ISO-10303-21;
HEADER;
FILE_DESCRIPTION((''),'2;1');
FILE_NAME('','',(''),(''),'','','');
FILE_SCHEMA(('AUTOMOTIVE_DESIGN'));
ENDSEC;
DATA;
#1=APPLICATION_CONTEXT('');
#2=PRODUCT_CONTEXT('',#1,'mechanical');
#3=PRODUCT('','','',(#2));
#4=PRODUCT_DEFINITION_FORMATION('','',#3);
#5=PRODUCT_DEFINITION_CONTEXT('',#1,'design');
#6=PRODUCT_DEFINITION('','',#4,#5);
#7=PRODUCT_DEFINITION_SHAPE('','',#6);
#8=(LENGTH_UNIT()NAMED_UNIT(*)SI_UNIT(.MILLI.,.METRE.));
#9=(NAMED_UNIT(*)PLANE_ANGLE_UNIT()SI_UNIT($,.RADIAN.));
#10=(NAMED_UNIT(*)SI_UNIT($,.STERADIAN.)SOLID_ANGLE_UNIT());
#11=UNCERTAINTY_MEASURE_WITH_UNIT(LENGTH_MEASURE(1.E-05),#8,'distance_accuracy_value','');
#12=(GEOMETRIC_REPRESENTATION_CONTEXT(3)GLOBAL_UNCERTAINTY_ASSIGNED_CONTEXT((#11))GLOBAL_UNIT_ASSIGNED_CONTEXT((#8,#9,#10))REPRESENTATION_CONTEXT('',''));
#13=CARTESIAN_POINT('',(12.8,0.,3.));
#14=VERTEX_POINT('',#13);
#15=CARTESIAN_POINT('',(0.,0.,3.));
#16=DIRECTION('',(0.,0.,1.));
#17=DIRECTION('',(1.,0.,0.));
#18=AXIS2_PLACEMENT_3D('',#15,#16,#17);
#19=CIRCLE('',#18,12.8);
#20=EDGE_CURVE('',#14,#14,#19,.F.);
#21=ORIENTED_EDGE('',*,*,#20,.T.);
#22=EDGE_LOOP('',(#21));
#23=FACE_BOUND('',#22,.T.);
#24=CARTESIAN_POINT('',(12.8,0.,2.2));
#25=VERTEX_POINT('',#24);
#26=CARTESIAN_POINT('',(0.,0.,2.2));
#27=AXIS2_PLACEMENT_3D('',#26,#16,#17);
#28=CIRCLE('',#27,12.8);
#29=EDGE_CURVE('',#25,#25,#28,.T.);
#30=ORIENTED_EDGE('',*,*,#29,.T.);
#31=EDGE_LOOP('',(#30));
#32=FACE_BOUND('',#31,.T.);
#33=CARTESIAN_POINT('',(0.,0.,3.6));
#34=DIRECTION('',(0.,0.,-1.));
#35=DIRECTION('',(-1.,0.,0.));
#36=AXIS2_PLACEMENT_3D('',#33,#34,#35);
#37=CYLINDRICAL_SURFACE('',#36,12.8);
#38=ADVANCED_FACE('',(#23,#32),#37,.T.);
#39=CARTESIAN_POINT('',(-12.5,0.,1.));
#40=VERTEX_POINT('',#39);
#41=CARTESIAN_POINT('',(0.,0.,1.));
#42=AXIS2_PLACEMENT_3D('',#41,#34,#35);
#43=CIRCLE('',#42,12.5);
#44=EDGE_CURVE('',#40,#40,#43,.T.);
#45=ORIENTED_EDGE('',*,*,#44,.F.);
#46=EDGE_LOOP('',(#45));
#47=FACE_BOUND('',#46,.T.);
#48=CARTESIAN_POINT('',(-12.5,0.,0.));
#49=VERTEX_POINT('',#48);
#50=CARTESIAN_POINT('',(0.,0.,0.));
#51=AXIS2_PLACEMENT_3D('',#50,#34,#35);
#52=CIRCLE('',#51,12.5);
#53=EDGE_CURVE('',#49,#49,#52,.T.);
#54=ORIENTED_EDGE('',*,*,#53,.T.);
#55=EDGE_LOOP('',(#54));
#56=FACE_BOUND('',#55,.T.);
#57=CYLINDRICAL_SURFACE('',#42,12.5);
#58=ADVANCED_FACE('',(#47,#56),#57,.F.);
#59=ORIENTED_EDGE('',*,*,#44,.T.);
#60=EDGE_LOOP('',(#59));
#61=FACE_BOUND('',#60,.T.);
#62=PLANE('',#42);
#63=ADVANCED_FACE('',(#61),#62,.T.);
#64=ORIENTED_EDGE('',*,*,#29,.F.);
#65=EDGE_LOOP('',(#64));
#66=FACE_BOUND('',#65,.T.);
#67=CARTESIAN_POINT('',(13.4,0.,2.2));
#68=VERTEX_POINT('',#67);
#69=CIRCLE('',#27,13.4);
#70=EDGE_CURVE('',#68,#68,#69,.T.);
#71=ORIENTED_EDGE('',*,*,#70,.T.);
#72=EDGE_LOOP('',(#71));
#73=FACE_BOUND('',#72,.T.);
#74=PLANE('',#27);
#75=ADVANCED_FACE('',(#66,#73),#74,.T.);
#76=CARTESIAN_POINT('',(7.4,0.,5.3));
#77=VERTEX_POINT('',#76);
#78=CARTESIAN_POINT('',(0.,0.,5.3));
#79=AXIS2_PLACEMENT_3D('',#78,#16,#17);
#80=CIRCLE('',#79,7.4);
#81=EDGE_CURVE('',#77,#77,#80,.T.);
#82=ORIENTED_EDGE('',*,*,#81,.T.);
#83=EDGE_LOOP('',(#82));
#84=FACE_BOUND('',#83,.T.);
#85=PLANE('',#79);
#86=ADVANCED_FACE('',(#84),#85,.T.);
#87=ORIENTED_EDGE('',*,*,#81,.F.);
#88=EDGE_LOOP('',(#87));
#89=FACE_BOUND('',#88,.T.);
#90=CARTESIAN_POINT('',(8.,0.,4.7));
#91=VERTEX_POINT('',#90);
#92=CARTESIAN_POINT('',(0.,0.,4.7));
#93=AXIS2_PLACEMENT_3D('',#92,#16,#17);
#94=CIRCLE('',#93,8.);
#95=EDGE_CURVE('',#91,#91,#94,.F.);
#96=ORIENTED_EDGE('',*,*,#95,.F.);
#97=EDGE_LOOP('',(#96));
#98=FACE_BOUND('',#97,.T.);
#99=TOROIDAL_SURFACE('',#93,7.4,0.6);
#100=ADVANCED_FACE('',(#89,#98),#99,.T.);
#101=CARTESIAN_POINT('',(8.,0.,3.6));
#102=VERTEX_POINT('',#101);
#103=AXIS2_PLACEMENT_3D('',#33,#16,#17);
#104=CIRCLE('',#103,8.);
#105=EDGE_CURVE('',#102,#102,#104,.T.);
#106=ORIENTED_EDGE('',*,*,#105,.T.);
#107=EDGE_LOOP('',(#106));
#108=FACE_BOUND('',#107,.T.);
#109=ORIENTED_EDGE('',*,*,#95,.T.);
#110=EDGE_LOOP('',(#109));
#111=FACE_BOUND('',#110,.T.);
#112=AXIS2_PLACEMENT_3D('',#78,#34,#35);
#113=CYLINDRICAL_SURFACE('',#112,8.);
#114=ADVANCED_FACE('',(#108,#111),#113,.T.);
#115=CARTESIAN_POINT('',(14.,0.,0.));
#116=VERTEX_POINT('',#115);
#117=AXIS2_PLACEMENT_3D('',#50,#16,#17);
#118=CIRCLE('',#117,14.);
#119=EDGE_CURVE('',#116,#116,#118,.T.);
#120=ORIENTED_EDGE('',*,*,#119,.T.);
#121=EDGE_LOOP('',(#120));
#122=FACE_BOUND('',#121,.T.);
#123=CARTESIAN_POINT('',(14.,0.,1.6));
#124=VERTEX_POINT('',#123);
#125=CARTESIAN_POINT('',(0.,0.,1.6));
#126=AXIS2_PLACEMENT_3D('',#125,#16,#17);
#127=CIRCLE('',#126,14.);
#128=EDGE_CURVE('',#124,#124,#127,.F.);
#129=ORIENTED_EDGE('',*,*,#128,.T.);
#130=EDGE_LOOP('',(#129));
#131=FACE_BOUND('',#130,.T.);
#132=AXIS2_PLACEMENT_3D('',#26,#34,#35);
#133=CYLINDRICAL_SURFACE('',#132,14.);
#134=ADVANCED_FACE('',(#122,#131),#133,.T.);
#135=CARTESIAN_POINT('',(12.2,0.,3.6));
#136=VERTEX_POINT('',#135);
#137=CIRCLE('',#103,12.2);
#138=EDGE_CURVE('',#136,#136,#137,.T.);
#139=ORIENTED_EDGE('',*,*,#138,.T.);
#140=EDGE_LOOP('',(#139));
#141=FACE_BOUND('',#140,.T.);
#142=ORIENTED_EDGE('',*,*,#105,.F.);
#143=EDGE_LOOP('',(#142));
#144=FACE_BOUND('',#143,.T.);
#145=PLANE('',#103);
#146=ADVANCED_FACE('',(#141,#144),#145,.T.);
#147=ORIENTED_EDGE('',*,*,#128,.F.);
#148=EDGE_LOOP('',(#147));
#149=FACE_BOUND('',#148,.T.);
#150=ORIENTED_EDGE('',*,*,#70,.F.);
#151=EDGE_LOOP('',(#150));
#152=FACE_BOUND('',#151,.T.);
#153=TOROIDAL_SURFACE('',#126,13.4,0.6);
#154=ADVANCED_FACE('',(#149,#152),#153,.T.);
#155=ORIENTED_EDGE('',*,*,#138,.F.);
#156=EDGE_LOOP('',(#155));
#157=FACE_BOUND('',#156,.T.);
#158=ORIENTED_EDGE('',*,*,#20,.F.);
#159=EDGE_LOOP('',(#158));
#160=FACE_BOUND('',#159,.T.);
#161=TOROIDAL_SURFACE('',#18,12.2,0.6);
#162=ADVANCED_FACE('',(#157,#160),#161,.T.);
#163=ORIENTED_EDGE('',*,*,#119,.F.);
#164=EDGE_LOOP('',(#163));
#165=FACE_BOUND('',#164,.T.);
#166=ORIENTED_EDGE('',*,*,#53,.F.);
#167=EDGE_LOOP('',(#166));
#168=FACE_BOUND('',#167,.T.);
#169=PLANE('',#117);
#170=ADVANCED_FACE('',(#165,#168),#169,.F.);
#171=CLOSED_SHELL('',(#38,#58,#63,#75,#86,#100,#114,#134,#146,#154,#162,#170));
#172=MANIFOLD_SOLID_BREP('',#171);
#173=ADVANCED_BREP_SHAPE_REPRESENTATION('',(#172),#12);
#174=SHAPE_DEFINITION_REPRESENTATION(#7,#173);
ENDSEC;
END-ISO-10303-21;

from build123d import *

# Parameters (mm, degrees)
ESQUISSE1_R             = 14
BOSS_EXTRU_1_DEPTH      = 2.2
ESQUISSE2_R             = 12.8
BOSS_EXTRU_2_DEPTH      = 1.4
ESQUISSE3_R             = 8
BOSS_EXTRU_3_DEPTH      = 1.7
ESQUISSE4_R             = 12.5
ENL_V_MAT_EXTRU_1_DEPTH = 1
CONG_1_R                = 0.6


with BuildPart() as part:
    # Esquisse1 → Boss.-Extru.1 (new body)
    with BuildSketch(Plane.XY):
        Circle(ESQUISSE1_R)
    extrude(amount=BOSS_EXTRU_1_DEPTH)

    # Esquisse2 → Boss.-Extru.2 (add)
    with BuildSketch(Plane.XY.offset(2.2)):
        Circle(ESQUISSE2_R)
    extrude(amount=BOSS_EXTRU_2_DEPTH)

    # Esquisse3 → Boss.-Extru.3 (add)
    with BuildSketch(Plane.XY.offset(3.6)):
        Circle(ESQUISSE3_R)
    extrude(amount=BOSS_EXTRU_3_DEPTH)

    # Esquisse4 → Enlèv. mat.-Extru.1 (cut)
    with BuildSketch(Plane(origin=(0, 0, 0), x_dir=(-1, 0, 0), z_dir=(0, 0, -1))):
        Circle(ESQUISSE4_R)
    extrude(amount=-ENL_V_MAT_EXTRU_1_DEPTH, mode=Mode.SUBTRACT)

    # Congé1
    cong_1_edges = [part.edges().sort_by_distance(p)[0] for p in [
        (-8, 0, 5.3),
        (-14, 0, 2.2),
        (-12.8, 0, 3.6),
    ]]
    fillet(cong_1_edges, radius=CONG_1_R)


solid = part.part
